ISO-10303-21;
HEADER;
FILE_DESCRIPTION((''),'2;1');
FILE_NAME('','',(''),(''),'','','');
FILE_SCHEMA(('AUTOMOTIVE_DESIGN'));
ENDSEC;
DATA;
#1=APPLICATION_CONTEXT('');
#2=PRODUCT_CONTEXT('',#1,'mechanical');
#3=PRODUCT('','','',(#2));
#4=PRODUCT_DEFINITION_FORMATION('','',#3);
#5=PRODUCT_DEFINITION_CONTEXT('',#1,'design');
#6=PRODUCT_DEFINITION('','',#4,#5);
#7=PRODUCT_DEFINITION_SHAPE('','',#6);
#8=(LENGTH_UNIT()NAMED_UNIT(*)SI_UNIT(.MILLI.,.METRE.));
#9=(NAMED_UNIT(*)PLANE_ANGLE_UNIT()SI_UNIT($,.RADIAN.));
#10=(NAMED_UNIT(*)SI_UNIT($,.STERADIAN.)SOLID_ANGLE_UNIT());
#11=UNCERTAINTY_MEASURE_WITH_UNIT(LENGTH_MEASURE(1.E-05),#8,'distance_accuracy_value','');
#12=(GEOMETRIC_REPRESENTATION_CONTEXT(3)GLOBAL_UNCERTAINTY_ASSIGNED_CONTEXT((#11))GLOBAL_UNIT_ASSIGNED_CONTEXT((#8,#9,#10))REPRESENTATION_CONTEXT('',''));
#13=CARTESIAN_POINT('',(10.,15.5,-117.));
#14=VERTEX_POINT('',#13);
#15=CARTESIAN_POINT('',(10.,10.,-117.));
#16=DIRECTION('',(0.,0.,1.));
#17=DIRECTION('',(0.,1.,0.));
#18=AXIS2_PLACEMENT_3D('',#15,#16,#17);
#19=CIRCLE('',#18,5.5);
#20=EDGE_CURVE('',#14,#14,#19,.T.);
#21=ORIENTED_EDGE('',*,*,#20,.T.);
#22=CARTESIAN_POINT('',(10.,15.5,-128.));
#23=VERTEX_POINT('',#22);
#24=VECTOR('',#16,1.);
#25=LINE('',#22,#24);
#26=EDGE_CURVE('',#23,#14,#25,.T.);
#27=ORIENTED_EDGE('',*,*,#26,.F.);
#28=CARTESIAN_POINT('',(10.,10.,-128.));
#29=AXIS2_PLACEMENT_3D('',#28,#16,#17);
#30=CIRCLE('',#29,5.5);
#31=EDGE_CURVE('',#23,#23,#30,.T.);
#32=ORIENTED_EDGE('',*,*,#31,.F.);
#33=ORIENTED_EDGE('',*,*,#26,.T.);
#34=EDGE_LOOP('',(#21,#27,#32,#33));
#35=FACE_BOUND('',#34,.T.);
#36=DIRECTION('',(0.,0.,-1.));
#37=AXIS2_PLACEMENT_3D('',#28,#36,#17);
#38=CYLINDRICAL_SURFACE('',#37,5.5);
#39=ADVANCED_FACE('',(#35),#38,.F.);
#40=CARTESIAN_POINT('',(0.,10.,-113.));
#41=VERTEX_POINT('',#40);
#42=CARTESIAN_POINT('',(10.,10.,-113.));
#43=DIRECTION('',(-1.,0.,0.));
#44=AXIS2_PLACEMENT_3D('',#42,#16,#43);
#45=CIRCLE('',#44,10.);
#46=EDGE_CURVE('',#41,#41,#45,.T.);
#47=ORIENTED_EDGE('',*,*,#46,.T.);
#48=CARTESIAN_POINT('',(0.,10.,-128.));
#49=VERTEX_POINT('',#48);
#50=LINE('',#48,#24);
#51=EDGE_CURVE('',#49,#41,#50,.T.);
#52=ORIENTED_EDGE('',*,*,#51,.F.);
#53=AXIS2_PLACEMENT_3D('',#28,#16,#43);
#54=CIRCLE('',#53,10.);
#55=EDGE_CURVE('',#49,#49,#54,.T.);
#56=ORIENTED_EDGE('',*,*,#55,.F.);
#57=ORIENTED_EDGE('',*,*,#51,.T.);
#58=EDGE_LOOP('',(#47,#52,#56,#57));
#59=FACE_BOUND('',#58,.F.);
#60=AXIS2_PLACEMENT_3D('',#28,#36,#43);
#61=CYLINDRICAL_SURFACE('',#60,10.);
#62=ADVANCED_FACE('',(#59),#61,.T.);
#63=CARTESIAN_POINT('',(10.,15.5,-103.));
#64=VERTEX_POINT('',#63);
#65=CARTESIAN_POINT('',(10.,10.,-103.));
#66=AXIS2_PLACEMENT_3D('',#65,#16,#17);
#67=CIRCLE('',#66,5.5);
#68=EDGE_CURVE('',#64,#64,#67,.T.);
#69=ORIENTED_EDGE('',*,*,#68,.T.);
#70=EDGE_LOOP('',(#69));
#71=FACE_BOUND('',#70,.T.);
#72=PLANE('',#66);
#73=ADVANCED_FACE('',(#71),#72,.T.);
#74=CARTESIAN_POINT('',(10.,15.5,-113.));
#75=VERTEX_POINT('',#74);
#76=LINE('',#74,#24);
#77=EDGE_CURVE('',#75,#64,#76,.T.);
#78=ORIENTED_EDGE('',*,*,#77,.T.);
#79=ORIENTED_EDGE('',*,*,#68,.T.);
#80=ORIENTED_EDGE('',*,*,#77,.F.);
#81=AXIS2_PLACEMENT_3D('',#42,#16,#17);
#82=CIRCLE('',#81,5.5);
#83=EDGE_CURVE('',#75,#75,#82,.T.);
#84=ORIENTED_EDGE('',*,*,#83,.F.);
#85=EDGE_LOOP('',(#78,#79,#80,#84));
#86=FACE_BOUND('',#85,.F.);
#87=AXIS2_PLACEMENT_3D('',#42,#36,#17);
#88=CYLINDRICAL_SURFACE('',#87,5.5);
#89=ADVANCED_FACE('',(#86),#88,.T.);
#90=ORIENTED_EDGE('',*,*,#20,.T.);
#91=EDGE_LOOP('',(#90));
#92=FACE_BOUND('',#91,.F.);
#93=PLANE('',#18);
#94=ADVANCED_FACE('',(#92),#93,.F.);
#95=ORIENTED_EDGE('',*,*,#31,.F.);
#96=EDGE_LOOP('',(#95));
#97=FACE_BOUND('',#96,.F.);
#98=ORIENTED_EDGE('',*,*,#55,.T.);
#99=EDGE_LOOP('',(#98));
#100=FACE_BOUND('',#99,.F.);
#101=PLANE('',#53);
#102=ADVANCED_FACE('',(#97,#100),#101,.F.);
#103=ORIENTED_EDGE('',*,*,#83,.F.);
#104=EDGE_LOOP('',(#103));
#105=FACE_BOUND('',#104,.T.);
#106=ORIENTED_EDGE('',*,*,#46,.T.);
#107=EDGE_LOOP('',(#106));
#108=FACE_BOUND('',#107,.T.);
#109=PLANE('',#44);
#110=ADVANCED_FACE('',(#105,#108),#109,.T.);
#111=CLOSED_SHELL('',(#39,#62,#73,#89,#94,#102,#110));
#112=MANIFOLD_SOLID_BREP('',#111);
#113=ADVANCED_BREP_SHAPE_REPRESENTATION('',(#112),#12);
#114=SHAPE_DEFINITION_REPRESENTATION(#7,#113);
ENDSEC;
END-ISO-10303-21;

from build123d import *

# Parameters (mm, degrees)
CYLINDER003_R           = 10
CYLINDER003_DEPTH       = 15
CYLINDER004_R           = 5.5
CYLINDER004_DEPTH       = 10
CYLINDER005_R           = 5.5
CYLINDER005_DEPTH       = 11
BODY006_PLACEMENT_ANGLE = 90


with BuildPart() as part:
    # Cylinder003 → Cylinder003 (join)
    with BuildSketch(Plane(origin=(10, 0, -127), x_dir=(0, 1, 0), z_dir=(0, 0, 1))):
        Circle(CYLINDER003_R)
    extrude(amount=CYLINDER003_DEPTH)

    # Cylinder004 → Cylinder004 (join)
    with BuildSketch(Plane(origin=(10, 0, -112), x_dir=(1, 0, 0), z_dir=(0, 0, 1))):
        Circle(CYLINDER004_R)
    extrude(amount=CYLINDER004_DEPTH)

    # Cylinder005 → Cylinder005 (cut)
    with BuildSketch(Plane(origin=(10, 0, -127), x_dir=(1, 0, 0), z_dir=(0, 0, 1))):
        Circle(CYLINDER005_R)
    extrude(amount=CYLINDER005_DEPTH, mode=Mode.SUBTRACT)


with BuildPart() as part_1:
    # Body006 placement: moved
    add(part.part.moved(Location((10, 0, -1))).rotate(Axis((10, 0, -1), (0, 0, 1)), BODY006_PLACEMENT_ANGLE))


solid = part_1.part
